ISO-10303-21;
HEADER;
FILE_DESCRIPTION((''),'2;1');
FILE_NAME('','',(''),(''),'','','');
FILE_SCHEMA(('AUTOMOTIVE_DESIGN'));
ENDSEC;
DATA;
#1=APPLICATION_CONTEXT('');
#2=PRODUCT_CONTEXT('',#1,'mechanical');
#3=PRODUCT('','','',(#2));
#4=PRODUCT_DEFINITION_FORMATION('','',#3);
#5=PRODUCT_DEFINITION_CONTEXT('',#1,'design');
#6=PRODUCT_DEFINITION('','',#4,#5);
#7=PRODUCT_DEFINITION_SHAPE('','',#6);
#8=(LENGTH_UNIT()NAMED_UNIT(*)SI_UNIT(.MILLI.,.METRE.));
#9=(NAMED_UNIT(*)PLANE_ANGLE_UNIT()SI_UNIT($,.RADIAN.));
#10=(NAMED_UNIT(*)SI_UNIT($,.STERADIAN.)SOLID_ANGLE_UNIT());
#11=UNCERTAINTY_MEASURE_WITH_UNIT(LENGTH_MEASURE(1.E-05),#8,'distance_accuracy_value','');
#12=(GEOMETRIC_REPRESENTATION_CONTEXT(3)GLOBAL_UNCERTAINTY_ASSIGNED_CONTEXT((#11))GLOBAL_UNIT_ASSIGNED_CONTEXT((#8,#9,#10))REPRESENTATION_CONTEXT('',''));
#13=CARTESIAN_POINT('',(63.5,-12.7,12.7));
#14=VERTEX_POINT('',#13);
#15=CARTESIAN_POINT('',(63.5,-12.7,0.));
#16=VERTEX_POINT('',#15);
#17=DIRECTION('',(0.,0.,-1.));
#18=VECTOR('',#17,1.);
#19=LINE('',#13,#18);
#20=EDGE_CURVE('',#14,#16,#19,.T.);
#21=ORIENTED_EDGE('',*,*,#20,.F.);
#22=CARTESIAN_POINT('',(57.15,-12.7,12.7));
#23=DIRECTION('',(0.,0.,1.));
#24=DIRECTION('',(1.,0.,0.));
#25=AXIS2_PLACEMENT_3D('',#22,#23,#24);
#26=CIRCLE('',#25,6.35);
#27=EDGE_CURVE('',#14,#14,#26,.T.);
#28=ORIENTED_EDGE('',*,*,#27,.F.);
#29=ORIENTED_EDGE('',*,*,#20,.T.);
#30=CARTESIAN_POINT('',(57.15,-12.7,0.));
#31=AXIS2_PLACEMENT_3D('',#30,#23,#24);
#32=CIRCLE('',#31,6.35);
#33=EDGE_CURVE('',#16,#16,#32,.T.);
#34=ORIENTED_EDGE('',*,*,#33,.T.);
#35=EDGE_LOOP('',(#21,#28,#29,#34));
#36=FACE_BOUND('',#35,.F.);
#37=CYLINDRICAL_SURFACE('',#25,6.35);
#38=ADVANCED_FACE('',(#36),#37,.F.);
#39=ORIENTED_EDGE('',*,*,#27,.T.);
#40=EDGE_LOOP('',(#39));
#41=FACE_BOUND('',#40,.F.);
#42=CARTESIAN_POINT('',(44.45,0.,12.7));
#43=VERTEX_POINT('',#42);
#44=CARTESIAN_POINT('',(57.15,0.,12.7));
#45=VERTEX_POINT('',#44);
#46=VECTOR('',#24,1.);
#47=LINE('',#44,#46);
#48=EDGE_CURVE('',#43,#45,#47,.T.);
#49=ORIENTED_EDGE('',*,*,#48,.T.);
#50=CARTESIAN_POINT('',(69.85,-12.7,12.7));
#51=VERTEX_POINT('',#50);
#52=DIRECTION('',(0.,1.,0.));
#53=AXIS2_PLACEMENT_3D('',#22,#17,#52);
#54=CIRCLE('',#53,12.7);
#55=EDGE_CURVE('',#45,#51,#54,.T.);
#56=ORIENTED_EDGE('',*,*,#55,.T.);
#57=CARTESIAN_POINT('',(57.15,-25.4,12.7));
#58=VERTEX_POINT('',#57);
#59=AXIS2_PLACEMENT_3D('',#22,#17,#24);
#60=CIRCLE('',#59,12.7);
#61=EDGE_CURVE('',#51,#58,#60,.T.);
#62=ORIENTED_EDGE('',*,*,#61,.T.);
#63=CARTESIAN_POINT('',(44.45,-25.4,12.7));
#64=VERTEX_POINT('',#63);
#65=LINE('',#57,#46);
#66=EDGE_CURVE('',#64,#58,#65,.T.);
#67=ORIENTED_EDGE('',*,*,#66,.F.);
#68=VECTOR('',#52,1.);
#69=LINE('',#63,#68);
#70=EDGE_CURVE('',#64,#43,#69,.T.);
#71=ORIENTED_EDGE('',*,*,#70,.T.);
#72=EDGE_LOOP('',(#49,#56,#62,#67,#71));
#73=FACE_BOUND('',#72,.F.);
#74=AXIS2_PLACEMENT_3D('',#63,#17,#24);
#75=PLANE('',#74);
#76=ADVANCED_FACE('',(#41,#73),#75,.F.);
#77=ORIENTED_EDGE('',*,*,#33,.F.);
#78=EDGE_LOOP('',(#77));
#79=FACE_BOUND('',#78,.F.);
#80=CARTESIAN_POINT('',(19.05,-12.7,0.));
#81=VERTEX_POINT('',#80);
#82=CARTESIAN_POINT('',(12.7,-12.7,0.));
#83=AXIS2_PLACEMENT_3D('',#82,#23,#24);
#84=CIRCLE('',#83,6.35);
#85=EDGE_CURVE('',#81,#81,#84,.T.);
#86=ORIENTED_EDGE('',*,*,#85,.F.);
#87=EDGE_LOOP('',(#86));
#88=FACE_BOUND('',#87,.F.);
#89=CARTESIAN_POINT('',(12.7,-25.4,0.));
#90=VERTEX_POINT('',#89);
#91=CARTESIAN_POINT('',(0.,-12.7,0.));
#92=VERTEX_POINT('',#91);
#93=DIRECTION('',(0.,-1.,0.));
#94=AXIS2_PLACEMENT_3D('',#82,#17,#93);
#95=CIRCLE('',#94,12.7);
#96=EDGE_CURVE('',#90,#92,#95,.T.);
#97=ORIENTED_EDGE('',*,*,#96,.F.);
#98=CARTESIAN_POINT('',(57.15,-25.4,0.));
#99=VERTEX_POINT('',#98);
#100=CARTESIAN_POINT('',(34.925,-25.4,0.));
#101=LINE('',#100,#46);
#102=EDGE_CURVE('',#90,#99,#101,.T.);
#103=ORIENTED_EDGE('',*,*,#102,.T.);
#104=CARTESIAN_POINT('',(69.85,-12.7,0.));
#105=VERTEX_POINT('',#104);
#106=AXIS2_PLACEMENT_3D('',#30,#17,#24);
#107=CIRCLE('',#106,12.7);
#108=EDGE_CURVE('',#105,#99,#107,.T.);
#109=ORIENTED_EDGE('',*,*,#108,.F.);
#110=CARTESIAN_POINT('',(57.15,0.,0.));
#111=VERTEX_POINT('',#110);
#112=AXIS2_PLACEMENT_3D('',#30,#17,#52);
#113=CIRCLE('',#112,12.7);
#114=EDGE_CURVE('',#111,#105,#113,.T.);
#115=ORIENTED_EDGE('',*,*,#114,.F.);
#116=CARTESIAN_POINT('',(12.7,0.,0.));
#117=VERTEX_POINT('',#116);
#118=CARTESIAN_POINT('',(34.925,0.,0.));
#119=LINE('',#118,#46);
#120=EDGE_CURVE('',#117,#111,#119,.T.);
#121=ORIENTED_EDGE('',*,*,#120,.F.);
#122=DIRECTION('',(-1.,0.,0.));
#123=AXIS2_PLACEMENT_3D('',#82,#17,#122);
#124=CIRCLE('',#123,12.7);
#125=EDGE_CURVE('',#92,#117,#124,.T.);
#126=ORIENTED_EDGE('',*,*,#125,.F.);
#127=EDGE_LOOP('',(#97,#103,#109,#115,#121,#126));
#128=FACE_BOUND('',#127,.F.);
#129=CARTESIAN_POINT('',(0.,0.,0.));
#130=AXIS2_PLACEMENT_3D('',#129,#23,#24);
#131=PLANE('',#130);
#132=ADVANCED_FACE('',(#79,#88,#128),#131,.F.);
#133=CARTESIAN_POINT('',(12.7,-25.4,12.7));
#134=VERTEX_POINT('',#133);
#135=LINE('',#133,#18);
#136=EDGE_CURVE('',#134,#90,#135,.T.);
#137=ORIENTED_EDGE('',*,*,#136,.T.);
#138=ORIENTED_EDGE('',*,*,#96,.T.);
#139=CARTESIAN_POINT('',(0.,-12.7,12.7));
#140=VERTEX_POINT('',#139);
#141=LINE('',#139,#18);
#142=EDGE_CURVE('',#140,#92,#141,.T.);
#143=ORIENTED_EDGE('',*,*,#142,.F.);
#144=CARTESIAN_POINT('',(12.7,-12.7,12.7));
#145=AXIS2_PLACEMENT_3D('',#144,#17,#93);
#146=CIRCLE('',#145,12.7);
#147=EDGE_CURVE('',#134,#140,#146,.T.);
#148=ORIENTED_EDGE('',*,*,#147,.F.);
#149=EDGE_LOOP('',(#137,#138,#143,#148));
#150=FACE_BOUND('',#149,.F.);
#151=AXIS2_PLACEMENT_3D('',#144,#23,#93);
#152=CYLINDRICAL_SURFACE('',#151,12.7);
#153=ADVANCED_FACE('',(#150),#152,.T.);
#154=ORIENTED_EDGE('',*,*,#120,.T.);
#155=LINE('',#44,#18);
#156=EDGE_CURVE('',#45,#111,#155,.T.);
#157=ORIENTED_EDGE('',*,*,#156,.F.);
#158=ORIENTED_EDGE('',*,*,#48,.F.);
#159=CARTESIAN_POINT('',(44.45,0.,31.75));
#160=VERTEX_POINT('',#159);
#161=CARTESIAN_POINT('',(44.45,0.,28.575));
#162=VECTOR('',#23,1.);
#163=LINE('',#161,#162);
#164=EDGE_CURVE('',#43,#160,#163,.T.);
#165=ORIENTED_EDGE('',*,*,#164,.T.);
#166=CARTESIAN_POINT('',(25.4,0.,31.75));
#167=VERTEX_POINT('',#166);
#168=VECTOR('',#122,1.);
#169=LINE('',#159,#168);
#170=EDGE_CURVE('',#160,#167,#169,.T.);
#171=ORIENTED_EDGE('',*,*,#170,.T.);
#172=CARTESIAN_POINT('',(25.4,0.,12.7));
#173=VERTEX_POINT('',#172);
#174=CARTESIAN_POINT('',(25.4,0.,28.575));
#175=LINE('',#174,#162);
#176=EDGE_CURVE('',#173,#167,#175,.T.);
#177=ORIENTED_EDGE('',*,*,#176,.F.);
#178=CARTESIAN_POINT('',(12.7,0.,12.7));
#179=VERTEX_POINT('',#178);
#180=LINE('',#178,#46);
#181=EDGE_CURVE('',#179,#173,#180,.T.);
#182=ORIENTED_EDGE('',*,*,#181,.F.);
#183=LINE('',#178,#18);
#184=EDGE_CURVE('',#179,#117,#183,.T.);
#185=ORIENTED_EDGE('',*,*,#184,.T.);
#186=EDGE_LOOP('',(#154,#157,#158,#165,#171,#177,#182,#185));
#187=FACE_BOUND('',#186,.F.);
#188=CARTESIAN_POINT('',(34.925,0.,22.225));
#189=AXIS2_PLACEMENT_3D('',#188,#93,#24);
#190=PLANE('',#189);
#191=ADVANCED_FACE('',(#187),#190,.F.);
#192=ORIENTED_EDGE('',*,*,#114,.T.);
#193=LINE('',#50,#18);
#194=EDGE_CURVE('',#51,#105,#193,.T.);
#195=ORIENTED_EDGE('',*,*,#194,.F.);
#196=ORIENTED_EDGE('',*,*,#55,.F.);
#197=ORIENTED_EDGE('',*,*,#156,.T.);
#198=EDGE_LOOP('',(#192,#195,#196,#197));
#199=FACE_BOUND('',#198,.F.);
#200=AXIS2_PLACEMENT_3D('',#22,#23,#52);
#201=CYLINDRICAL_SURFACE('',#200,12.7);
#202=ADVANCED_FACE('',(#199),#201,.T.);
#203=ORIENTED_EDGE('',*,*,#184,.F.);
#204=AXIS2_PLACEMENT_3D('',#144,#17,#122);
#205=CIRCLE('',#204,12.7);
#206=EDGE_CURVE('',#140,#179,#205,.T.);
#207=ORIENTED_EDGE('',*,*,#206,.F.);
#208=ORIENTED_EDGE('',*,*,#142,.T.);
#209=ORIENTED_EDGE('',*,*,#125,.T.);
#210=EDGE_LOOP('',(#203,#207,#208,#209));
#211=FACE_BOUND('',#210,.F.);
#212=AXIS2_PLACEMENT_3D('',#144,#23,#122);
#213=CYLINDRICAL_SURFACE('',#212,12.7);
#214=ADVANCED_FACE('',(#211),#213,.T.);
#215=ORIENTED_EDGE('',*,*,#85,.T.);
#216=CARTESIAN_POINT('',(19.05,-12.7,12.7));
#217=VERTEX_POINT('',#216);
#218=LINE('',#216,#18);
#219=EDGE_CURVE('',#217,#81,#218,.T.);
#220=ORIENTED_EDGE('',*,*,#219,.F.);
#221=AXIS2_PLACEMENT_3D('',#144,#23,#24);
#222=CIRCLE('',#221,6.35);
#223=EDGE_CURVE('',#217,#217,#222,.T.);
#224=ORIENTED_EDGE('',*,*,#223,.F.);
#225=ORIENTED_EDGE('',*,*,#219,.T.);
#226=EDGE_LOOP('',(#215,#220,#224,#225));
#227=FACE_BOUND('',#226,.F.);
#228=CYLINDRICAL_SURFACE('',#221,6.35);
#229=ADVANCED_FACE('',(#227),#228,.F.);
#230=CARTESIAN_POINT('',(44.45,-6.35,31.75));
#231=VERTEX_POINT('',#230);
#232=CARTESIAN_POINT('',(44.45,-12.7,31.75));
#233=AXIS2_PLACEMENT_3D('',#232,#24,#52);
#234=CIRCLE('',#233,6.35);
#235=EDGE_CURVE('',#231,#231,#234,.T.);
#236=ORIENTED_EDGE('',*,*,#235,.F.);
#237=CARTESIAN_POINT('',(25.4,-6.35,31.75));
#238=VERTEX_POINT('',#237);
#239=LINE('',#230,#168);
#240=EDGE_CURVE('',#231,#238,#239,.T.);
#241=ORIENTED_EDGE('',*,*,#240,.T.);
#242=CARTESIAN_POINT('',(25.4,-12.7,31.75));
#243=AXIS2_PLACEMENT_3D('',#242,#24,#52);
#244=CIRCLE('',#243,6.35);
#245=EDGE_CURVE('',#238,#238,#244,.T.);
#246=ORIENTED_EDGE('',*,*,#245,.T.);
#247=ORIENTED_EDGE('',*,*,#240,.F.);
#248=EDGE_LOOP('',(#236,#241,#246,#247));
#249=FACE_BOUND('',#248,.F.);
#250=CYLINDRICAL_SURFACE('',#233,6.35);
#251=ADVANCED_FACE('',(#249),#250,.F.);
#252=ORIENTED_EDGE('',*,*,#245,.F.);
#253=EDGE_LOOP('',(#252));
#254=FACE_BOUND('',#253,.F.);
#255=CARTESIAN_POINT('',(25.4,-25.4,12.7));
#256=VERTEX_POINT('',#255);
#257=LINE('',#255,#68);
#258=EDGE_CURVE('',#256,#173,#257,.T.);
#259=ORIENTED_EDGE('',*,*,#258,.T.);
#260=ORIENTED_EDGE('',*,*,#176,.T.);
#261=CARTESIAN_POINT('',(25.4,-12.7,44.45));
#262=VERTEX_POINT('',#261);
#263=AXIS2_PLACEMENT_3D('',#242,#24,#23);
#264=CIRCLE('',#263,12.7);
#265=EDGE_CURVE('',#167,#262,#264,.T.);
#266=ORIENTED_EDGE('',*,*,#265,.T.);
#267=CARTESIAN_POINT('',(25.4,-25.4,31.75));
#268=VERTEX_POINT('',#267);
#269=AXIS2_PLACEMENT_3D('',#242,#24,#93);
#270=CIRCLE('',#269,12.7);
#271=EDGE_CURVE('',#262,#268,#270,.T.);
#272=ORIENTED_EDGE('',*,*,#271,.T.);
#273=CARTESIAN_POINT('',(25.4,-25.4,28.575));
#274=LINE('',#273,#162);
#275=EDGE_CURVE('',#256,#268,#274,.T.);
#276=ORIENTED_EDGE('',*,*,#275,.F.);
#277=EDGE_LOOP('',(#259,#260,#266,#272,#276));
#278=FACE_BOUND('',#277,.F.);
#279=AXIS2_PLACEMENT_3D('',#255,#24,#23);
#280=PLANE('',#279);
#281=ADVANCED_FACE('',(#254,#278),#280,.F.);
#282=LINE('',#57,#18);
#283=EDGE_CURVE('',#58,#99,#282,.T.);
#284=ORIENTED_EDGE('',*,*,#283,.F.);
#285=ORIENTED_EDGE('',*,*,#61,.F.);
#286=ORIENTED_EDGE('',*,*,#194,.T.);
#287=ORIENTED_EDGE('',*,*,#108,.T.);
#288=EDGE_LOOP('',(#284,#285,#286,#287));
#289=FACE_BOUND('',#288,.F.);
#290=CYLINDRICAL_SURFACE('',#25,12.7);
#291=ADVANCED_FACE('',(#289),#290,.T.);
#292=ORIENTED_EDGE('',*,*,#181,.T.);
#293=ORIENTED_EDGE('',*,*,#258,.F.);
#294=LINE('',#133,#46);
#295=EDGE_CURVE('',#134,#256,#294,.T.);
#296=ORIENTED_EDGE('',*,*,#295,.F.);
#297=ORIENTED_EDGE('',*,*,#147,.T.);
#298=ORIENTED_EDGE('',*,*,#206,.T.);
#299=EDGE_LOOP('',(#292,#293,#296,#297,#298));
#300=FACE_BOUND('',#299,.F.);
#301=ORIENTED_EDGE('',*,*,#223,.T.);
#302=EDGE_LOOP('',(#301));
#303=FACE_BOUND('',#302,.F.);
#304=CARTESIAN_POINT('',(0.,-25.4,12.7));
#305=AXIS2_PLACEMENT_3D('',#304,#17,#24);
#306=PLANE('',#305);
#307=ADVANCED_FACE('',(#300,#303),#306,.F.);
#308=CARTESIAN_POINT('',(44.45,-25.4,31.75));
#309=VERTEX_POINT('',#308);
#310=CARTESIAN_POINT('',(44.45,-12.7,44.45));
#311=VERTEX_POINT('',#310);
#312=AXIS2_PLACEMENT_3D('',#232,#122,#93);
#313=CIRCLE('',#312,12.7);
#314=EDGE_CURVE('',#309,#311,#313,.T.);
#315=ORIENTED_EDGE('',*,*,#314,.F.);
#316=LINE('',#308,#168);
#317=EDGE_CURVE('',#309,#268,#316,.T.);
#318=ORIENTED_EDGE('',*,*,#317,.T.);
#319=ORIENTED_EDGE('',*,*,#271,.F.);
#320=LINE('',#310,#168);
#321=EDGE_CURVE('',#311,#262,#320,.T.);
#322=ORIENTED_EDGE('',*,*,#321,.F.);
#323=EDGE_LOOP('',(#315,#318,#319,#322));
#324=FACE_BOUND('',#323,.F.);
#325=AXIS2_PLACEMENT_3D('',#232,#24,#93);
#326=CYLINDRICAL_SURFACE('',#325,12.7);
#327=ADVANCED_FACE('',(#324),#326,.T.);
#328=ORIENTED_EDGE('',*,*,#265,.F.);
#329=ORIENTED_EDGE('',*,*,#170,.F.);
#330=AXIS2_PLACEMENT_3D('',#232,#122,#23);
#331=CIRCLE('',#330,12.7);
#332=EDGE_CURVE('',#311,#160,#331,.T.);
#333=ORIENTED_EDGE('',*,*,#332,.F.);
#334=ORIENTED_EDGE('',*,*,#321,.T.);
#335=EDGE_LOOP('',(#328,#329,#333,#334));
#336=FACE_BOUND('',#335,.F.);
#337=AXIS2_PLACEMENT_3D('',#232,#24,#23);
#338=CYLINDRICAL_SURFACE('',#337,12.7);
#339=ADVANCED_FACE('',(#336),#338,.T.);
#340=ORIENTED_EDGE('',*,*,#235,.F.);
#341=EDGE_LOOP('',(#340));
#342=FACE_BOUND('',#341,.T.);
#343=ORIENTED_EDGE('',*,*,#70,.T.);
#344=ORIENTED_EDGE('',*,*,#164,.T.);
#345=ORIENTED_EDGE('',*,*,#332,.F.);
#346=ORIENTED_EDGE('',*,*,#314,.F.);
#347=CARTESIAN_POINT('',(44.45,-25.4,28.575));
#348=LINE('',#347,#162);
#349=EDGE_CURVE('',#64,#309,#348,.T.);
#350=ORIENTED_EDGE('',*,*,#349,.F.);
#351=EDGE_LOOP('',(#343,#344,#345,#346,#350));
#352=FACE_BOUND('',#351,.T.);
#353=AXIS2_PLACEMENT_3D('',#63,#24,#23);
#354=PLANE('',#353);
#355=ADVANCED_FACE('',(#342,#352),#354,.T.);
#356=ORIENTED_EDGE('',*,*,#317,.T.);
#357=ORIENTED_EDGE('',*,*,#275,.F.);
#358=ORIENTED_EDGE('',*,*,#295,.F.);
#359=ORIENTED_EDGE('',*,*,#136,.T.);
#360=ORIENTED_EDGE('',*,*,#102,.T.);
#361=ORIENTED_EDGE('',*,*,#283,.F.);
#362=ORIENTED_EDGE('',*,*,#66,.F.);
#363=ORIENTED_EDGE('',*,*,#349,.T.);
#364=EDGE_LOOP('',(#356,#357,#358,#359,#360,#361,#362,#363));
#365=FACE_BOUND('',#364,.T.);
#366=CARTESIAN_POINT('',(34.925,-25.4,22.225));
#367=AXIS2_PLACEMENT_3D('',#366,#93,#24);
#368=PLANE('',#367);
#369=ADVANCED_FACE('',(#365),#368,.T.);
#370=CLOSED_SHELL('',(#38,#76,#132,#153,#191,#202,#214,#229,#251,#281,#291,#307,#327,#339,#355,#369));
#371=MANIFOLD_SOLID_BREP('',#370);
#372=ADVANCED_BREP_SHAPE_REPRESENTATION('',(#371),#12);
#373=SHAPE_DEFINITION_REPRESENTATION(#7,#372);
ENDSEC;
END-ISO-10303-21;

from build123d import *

# Parameters (mm, degrees)
F0_W     = 69.85
F0_H     = 44.45
F1_DEPTH = 25.4
F2_W     = 25.4
F2_H     = 31.75
F3_DEPTH = 25.4
F4_R     = 6.35
F5_DEPTH = 12.7
F6_R     = 6.35
F7_DEPTH = 12.7
F8_R     = 6.35
F9_DEPTH = 25.4


with BuildPart() as f1:
    # F0 (on Front) → F1 (new body)
    with BuildSketch(Plane.XZ):
        with Locations((34.925, 22.225)):
            Rectangle(F0_W, F0_H)
    extrude(amount=F1_DEPTH)

    # F2 (on face) → F3 (cut)
    with BuildSketch(Plane.XZ.offset(25.4)):
        with Locations((12.7, 28.575)):
            Rectangle(F2_W, F2_H)
        with Locations((57.15, 28.575)):
            Rectangle(F2_W, F2_H)
    extrude(amount=-F3_DEPTH, mode=Mode.SUBTRACT)

    # F4 (on face) → F5 (cut)
    with BuildSketch(Plane.XY.offset(12.7)):
        with Locations((12.7, -12.7)):
            Circle(F4_R)
        with BuildLine():
            ThreePointArc((0, -12.7), (3.7197438789, -3.7197438789), (12.7, 0))
            Line((12.7, 0), (0, 0))
            Line((0, 0), (0, -12.7))
        make_face()
        with BuildLine():
            ThreePointArc((12.7, -25.4), (3.7197438789, -21.6802561211), (0, -12.7))
            Line((0, -12.7), (0, -25.4))
            Line((0, -25.4), (12.7, -25.4))
        make_face()
    extrude(amount=-F5_DEPTH, mode=Mode.SUBTRACT)

    # F6 (on face) → F7 (cut)
    with BuildSketch(Plane.XY.offset(12.7)):
        with Locations((57.15, -12.7)):
            Circle(F6_R)
        with BuildLine():
            ThreePointArc((57.15, 0), (66.1302561211, -3.7197438789), (69.85, -12.7))
            Line((69.85, -12.7), (69.85, 0))
            Line((69.85, 0), (57.15, 0))
        make_face()
        with BuildLine():
            ThreePointArc((69.85, -12.7), (66.1302561211, -21.6802561211), (57.15, -25.4))
            Line((57.15, -25.4), (69.85, -25.4))
            Line((69.85, -25.4), (69.85, -12.7))
        make_face()
    extrude(amount=-F7_DEPTH, mode=Mode.SUBTRACT)

    # F8 (on face) → F9 (cut)
    with BuildSketch(Plane.YZ.offset(44.45)):
        with Locations((-12.7, 31.75)):
            Circle(F8_R)
        with BuildLine():
            ThreePointArc((-25.4, 31.75), (-21.6802561211, 40.7302561211), (-12.7, 44.45))
            Line((-12.7, 44.45), (-25.4, 44.45))
            Line((-25.4, 44.45), (-25.4, 31.75))
        make_face()
        with BuildLine():
            ThreePointArc((-12.7, 44.45), (-3.7197438789, 40.7302561211), (0, 31.75))
            Line((0, 31.75), (0, 44.45))
            Line((0, 44.45), (-12.7, 44.45))
        make_face()
    extrude(amount=-F9_DEPTH, mode=Mode.SUBTRACT)


solid = f1.part
